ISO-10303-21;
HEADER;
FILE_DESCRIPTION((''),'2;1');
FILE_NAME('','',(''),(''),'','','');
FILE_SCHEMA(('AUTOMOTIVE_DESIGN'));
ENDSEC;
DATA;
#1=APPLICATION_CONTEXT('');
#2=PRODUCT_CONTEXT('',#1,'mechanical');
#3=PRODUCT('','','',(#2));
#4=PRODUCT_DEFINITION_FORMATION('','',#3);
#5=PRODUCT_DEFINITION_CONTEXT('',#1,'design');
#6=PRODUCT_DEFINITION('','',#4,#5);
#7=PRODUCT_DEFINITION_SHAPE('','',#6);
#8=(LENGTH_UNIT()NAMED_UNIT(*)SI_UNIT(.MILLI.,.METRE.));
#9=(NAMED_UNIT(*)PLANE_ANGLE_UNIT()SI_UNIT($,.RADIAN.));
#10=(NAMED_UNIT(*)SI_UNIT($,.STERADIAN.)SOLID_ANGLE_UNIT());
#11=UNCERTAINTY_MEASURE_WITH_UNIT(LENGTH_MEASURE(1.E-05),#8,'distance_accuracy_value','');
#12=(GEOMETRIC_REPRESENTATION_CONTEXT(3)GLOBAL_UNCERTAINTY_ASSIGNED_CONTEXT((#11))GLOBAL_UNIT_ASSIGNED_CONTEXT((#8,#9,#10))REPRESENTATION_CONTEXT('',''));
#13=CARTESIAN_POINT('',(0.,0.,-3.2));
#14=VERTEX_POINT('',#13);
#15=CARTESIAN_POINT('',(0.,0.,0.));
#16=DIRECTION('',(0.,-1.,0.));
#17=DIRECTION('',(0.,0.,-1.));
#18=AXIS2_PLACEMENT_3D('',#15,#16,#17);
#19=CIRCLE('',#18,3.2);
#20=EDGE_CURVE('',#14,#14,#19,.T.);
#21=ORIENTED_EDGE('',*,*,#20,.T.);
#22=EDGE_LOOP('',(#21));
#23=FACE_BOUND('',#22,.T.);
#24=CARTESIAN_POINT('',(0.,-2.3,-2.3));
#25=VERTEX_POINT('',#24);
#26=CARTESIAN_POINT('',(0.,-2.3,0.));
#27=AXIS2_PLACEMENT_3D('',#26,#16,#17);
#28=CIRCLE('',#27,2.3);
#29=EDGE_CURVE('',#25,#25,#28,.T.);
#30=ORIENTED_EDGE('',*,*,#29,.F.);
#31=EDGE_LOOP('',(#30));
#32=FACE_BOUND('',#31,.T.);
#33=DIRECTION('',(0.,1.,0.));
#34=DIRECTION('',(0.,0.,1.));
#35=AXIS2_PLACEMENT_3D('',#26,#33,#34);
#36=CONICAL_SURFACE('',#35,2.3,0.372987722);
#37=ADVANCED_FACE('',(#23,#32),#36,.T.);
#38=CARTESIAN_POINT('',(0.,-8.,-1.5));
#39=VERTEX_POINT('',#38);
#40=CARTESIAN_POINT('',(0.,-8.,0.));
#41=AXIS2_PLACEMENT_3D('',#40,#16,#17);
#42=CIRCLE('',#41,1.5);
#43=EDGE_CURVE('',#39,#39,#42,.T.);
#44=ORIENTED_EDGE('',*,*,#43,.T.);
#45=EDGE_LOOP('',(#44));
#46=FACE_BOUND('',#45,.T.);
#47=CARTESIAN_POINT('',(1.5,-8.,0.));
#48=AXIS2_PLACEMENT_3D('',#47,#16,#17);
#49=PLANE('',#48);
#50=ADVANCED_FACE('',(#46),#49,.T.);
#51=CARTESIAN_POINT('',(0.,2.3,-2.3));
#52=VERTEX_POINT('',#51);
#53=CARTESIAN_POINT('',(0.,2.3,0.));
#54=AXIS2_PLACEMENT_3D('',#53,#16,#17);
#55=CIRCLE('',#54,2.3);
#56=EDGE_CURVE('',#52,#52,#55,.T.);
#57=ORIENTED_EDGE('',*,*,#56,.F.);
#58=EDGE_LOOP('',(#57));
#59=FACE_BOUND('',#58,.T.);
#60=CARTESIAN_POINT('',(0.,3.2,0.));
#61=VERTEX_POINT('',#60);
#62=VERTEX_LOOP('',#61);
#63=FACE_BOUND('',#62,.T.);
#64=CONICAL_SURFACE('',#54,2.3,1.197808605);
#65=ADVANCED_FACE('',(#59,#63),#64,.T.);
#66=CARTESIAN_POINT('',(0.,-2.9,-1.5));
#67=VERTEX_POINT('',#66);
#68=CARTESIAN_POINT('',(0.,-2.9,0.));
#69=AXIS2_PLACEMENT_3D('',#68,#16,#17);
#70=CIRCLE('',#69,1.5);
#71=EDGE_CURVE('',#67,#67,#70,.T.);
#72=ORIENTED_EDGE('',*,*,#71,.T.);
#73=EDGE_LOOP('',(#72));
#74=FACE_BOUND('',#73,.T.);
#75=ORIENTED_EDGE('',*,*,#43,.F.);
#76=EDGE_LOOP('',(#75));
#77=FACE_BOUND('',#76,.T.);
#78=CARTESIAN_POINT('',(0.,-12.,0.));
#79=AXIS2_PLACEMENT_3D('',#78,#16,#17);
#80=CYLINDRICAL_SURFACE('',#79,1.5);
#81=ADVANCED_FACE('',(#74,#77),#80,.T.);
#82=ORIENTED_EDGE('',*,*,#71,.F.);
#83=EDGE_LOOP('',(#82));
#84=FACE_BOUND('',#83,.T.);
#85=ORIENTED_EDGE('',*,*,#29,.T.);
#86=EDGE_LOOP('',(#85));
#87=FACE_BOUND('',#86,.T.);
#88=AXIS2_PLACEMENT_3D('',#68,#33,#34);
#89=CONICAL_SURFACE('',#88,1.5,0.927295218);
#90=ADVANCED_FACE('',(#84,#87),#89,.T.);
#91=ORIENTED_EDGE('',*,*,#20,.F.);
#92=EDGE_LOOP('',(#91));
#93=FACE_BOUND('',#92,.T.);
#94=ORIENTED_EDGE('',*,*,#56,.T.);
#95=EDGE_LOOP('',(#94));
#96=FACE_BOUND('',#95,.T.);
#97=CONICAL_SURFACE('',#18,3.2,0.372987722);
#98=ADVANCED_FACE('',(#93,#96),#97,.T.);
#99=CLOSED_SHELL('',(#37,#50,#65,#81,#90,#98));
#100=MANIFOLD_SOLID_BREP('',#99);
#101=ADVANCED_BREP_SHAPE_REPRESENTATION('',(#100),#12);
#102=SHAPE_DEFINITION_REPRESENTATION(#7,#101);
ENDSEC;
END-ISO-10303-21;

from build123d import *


with BuildPart() as part:
    # Sketch1 → Ancla_de_insercion (revolve)
    with BuildSketch(Plane.XY, mode=Mode.PRIVATE) as ancla_de_insercion_sk:
        Polygon((0, 3.2), (2.3, 2.3), (3.2, 0), (2.3, -2.3), (1.5, -2.9), (1.5, -8), (0, -8), align=None)
    revolve(ancla_de_insercion_sk.sketch.rotate(Axis((0, -12, 0), (0, 1, 0)), 90), axis=Axis((0, -12, 0), (0, 1, 0)))


solid = part.part
